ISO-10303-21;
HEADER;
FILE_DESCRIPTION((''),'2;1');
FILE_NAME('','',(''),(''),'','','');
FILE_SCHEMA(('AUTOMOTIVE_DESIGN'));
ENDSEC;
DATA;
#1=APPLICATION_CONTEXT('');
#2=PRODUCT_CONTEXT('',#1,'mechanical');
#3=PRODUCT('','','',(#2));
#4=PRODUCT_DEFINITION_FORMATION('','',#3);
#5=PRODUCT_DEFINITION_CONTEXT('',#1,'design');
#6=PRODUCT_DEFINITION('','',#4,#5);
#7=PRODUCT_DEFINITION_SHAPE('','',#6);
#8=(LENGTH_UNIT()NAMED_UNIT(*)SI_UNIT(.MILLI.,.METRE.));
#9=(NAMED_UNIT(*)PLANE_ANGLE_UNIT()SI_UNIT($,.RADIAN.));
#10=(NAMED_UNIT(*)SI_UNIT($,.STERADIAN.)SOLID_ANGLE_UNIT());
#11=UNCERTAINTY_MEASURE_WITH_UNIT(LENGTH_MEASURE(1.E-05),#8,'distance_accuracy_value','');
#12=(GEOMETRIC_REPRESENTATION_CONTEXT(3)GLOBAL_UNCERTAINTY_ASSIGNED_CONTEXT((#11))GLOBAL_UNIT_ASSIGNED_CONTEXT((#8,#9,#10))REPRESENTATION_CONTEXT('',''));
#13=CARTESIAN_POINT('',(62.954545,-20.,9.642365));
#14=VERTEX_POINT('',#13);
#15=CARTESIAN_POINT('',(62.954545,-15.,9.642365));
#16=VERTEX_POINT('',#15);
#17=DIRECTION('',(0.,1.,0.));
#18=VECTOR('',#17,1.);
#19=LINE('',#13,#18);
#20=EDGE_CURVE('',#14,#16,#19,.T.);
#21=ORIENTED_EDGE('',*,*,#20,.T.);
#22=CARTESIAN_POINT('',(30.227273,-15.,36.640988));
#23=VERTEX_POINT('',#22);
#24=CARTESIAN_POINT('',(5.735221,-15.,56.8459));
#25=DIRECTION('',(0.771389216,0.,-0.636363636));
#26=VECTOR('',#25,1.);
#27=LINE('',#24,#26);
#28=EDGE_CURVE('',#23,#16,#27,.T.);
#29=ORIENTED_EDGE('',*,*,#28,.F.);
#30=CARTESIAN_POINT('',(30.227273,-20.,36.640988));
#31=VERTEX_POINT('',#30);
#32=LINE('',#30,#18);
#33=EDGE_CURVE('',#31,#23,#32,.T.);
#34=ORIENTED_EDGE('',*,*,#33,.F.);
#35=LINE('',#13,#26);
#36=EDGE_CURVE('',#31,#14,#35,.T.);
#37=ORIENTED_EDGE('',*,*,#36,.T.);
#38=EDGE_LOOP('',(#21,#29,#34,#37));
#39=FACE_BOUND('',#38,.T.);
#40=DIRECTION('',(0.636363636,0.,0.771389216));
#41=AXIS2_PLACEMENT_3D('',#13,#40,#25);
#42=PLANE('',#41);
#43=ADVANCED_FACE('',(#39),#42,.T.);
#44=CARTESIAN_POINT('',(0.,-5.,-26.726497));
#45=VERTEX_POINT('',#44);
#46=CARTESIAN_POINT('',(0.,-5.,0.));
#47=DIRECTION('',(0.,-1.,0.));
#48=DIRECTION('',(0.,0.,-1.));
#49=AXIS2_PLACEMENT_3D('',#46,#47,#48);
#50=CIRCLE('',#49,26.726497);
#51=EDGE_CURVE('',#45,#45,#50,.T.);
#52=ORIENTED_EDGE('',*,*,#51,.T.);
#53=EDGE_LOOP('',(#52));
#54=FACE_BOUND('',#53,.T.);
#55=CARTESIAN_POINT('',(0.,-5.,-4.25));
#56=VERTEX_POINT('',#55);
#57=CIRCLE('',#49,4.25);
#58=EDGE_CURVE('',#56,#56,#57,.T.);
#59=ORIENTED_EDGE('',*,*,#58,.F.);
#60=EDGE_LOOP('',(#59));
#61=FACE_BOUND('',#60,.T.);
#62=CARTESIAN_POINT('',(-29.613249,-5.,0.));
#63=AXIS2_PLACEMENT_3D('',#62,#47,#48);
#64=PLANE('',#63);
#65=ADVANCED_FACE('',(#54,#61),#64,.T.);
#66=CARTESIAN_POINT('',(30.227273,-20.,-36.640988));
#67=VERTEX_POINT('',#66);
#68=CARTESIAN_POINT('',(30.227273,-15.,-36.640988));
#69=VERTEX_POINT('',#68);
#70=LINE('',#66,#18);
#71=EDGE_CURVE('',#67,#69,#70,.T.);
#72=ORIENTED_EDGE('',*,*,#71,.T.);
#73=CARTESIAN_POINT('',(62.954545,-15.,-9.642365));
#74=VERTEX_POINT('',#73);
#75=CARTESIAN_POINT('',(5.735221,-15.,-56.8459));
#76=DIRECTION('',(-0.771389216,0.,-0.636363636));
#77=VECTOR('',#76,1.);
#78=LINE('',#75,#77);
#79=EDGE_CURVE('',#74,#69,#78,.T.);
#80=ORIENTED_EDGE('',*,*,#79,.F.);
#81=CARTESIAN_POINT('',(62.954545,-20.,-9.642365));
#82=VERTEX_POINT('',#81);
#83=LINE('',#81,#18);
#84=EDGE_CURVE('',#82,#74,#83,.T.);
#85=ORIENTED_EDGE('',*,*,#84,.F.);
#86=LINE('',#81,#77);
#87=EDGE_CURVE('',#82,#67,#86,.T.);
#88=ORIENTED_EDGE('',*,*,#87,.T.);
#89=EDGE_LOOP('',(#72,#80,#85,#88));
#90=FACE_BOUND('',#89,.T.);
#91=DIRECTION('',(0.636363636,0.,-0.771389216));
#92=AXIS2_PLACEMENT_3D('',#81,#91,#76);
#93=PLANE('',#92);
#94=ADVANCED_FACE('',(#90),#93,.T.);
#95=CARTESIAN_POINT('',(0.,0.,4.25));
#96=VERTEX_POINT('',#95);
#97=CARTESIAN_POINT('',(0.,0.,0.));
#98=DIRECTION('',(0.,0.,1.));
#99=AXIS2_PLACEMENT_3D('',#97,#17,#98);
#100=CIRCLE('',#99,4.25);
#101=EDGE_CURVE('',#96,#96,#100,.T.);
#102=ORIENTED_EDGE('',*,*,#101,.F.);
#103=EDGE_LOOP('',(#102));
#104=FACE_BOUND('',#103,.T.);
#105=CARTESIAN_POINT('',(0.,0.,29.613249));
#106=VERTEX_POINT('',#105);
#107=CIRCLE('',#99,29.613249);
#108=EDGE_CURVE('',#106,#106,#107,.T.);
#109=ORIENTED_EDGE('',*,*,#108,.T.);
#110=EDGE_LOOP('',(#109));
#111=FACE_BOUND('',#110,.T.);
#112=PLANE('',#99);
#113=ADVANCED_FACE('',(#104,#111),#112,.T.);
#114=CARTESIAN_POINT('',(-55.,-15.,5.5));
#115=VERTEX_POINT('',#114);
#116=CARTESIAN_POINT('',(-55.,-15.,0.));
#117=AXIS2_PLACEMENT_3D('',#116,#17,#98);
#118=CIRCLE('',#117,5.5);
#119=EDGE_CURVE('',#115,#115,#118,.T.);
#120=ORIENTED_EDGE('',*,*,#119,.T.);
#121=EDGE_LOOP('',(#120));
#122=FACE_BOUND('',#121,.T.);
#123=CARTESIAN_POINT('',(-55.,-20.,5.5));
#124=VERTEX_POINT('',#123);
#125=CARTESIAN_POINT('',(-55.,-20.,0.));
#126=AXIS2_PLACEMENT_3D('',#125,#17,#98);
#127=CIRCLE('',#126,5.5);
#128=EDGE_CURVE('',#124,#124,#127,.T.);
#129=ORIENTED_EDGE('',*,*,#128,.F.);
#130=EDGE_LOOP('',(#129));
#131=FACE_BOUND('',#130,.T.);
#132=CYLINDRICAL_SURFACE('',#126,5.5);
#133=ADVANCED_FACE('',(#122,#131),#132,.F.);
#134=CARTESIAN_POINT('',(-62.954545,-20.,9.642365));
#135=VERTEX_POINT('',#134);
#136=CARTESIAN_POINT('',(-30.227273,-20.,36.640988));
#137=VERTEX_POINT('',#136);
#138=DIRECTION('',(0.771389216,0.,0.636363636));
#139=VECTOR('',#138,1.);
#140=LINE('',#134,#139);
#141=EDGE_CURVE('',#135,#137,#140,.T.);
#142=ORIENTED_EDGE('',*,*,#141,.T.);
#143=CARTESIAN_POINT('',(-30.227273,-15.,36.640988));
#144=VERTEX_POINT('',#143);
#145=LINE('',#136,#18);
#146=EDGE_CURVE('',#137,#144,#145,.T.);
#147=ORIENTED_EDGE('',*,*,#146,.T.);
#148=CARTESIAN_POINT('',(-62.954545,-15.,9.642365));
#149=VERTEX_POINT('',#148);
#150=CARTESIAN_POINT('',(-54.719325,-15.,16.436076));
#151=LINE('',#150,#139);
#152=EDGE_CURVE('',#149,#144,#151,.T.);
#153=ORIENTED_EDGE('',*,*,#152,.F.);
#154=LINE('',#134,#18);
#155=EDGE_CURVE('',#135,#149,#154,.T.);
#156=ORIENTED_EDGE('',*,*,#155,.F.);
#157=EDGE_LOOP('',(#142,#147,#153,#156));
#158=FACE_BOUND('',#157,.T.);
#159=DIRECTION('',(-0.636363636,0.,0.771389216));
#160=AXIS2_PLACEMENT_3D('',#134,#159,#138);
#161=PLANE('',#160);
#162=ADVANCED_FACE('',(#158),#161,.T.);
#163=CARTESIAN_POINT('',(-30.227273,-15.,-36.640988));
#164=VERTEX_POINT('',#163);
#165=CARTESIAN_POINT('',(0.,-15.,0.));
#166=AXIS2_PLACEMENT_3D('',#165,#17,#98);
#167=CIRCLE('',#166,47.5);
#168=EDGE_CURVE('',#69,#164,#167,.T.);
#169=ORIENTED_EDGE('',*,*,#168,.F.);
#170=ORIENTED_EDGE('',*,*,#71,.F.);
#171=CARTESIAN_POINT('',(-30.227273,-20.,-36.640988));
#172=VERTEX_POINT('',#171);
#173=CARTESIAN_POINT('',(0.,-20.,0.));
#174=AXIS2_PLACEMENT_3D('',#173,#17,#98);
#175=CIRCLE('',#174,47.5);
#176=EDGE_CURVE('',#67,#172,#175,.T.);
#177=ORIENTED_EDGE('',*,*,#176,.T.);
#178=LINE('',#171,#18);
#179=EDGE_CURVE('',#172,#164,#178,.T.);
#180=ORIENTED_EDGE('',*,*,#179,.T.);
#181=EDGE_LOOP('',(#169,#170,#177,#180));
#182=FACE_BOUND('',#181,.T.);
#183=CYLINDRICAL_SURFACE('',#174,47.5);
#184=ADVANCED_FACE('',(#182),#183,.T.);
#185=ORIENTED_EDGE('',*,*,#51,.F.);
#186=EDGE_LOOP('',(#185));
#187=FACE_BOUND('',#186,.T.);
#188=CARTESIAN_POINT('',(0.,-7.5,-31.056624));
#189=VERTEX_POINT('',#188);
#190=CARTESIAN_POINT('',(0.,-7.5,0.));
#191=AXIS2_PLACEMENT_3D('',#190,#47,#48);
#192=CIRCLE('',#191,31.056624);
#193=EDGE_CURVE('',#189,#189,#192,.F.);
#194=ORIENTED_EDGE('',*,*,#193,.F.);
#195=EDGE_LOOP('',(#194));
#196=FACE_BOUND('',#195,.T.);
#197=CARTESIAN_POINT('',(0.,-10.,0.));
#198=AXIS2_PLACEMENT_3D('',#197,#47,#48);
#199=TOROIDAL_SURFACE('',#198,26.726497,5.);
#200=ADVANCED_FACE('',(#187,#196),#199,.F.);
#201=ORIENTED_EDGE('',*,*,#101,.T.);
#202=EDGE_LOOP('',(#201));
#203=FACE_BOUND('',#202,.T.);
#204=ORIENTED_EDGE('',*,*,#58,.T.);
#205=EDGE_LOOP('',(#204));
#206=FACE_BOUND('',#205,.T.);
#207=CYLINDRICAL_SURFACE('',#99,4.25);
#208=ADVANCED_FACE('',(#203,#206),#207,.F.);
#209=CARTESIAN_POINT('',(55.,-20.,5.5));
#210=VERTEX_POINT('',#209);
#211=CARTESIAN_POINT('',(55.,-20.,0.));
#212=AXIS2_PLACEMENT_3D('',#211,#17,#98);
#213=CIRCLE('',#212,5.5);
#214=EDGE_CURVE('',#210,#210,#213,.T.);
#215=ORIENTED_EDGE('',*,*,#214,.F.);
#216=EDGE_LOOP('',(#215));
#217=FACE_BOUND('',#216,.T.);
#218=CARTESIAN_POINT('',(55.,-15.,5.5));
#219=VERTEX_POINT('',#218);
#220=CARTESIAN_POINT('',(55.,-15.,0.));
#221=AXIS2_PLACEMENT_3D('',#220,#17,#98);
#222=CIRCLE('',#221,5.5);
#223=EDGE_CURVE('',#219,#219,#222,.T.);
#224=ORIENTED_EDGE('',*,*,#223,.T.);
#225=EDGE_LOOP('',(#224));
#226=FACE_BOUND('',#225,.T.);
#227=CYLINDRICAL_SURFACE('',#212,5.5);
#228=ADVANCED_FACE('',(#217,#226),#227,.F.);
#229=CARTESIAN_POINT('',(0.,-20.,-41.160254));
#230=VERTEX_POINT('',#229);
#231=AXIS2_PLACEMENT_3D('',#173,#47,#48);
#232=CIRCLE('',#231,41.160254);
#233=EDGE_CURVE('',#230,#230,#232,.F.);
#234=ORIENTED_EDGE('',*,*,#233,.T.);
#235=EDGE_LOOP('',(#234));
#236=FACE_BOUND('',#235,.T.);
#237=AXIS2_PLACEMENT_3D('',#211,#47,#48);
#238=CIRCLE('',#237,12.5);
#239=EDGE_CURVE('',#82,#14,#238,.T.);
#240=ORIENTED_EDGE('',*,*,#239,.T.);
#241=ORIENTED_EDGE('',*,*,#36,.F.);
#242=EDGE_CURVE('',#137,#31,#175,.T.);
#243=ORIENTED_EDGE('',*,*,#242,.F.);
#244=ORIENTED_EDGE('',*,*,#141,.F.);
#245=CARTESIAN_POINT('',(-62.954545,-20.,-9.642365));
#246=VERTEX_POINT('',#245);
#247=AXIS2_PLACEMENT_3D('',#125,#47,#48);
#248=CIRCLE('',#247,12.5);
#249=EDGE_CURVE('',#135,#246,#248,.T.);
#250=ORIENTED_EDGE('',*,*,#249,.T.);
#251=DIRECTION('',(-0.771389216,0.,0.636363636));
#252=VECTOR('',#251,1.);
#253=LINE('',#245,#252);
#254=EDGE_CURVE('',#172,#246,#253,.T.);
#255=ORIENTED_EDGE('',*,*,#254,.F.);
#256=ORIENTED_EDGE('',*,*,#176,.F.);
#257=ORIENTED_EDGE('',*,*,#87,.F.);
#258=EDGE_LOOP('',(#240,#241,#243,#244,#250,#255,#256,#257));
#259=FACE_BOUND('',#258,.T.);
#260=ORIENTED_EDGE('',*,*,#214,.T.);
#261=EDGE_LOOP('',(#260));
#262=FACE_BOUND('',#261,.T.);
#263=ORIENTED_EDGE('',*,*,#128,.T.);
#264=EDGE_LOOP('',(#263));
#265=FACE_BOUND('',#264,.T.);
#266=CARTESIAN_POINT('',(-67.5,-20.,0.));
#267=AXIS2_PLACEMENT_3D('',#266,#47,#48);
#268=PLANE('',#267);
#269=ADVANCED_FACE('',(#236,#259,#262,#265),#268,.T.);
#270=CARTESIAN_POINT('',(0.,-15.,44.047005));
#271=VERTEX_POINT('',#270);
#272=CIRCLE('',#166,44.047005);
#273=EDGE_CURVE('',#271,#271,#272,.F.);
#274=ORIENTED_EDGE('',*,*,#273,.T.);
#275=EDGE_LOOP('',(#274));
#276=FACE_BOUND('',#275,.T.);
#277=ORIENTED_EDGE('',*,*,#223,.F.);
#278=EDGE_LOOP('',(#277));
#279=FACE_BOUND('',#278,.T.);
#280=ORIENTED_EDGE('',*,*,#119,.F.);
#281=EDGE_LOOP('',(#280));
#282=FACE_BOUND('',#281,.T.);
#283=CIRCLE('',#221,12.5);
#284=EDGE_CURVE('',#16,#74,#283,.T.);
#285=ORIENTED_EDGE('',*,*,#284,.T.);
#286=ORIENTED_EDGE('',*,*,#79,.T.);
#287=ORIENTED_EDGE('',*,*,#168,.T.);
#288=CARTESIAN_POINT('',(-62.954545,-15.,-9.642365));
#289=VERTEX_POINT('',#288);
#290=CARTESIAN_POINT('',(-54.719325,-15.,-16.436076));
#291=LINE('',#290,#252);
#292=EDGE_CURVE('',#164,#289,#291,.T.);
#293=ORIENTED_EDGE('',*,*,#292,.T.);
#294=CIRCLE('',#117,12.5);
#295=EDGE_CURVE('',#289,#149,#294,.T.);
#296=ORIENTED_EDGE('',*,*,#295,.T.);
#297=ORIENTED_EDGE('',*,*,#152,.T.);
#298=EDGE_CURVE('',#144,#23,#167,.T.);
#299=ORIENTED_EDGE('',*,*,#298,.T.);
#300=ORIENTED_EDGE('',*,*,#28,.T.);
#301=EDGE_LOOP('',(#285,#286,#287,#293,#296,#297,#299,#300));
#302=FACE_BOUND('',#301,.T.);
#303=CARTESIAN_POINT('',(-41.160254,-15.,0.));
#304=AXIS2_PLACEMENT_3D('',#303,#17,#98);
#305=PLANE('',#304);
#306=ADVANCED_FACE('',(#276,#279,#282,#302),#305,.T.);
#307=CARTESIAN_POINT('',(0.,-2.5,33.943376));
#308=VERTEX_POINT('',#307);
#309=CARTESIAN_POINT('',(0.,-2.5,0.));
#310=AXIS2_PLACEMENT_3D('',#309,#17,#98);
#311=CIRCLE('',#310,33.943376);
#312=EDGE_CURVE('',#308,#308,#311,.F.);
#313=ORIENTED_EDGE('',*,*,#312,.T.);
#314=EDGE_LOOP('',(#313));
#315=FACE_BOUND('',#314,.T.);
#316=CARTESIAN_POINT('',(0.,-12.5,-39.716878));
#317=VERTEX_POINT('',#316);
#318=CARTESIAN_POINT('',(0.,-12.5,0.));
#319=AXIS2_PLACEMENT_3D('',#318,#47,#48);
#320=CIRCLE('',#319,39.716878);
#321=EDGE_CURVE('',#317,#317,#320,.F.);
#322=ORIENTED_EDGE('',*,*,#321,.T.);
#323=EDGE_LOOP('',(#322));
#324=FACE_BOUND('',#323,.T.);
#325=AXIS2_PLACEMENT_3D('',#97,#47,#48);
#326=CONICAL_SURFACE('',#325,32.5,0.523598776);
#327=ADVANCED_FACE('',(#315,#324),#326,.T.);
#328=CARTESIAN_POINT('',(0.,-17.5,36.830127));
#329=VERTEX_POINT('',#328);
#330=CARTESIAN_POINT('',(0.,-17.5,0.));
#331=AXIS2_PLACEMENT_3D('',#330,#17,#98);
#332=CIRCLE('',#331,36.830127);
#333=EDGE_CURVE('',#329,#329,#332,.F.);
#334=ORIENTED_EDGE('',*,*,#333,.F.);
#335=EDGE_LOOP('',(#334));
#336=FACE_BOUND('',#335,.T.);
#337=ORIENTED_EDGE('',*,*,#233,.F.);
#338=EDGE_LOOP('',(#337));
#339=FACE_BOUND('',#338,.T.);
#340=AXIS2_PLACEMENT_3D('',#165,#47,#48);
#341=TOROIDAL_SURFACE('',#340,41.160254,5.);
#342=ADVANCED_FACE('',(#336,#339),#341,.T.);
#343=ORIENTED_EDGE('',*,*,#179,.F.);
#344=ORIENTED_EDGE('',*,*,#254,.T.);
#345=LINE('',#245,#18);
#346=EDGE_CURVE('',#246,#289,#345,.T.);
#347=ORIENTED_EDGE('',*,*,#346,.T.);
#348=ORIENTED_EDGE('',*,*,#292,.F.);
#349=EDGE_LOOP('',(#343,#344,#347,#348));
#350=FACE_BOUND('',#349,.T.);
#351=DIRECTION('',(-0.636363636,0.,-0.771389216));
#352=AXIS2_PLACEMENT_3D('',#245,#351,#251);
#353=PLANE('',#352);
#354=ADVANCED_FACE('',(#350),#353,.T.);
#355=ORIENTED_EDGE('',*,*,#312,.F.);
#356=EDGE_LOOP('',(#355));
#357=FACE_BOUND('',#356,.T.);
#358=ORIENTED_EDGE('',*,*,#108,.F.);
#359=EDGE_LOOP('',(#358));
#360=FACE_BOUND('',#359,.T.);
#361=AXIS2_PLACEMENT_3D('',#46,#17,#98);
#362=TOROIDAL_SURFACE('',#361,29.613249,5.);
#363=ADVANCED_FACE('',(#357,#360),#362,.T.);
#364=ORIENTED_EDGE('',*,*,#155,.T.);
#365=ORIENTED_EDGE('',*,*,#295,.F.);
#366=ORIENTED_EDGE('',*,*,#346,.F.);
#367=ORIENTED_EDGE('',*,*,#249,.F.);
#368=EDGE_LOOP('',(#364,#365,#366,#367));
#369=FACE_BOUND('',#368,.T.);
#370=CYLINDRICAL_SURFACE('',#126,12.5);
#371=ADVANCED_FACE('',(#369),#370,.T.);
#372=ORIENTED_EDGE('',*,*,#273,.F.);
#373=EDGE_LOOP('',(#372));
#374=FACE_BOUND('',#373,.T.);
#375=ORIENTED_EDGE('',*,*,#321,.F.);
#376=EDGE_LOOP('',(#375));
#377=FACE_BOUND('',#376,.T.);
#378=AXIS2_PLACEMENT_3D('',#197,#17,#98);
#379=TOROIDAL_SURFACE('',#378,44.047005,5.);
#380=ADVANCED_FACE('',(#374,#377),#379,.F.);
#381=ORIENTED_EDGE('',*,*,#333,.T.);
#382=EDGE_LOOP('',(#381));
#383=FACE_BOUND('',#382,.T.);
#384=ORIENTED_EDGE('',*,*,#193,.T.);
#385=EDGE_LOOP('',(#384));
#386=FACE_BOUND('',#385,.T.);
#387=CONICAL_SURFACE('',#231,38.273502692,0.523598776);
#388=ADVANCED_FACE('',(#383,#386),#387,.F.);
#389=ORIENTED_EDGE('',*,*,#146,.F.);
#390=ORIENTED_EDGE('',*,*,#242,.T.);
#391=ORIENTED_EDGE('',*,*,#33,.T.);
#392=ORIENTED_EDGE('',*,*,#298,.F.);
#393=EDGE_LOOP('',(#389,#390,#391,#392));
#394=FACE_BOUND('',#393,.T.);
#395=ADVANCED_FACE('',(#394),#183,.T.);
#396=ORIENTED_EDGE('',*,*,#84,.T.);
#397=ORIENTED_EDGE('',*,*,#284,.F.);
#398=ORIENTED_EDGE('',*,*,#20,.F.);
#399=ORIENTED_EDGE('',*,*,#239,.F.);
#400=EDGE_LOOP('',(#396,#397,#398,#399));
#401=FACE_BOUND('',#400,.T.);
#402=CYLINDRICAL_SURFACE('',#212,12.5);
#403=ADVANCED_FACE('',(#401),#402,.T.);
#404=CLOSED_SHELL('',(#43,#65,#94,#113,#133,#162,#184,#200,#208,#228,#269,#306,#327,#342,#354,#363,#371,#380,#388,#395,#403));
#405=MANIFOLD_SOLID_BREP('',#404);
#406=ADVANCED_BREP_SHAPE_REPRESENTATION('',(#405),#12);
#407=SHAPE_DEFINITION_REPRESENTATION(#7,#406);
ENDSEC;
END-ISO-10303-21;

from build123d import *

# Parameters (mm, degrees)
ZAOKR_GLENIE1_R                 = 5
SZKIC2_R                        = 5.5
WYTNIJ_WYCI_GNI_CIE1_DEPTH      = 98.532046016
OTW_R_GWINTOWANY_M101_D         = 8.5
OTW_R_GWINTOWANY_M101_DEPTH     = 17.5
OTW_R_GWINTOWANY_M101_TIP       = 2.553657631
WYTNIJ_WYCI_GNI_CIE2_DEPTH      = 97.63074045
WYTNIJ_WYCI_GNI_CIE2_DEPTH_BACK = 97.63074045
SZKIC5_OUTSIDE_W                = 175.392
SZKIC5_OUTSIDE_H                = 175.392


with BuildPart() as part:
    # Szkic1 → Obrót1 (revolve)
    with BuildSketch(Plane.XY, mode=Mode.PRIVATE) as obr_t1_sk:
        Polygon((0, 0), (-32.5, 0), (-41.160254038, -15), (-67.5, -15), (-67.5, -20), (-38.273502692, -20), (-29.613248654, -5), (0, -5), align=None)
    revolve(obr_t1_sk.sketch.rotate(Axis((0, 100.333333333, 0), (0, -1, 0)), 270), axis=Axis((0, 100.333333333, 0), (0, -1, 0)))

    # Zaokrąglenie1
    zaokr_glenie1_edges = [part.edges().sort_by_distance(p)[0] for p in [
        (0, -5, -29.613248654),
        (0, -20, -38.273502692),
        (0, -15, -41.160254038),
        (0, 0, -32.5),
    ]]
    fillet(zaokr_glenie1_edges, radius=ZAOKR_GLENIE1_R)

    # Szkic2 → Wytnij-wyciągnięcie1 (cut, through all)
    with BuildSketch(Plane(origin=(0, 0, 0), x_dir=(1, 0, 0), z_dir=(0, 1, 0))):
        with Locations(Location((-55, 0, 0), (0, 0, 270))):
            Circle(SZKIC2_R)
        with Locations(Location((55, 0, 0), (0, 0, 270))):
            Circle(SZKIC2_R)
    extrude(amount=-WYTNIJ_WYCI_GNI_CIE1_DEPTH, mode=Mode.SUBTRACT)

    # Otwór gwintowany M101
    with Locations(Plane(origin=(0, 0, 0), x_dir=(1, 0, 0), z_dir=(0, 1, 0))):
        with Locations((0, 0)):
            Hole(OTW_R_GWINTOWANY_M101_D / 2, depth=OTW_R_GWINTOWANY_M101_DEPTH)
            with Locations((0, 0, -(OTW_R_GWINTOWANY_M101_DEPTH + OTW_R_GWINTOWANY_M101_TIP / 2))):  # 118° drill point
                Cone(0, OTW_R_GWINTOWANY_M101_D / 2, OTW_R_GWINTOWANY_M101_TIP, mode=Mode.SUBTRACT)

    # Szkic5 outside → Wytnij-wyciągnięcie2 (cut, two sides: drawn at the far end of the back side and taken through both)
    with BuildSketch(Plane(origin=(0, -15, 0), x_dir=(1, 0, 0), z_dir=(0, 1, 0)).offset(-WYTNIJ_WYCI_GNI_CIE2_DEPTH_BACK)):
        Rectangle(SZKIC5_OUTSIDE_W, SZKIC5_OUTSIDE_H)
        with BuildLine():
            Line((62.954545455, 9.642365198), (30.227272727, 36.640987752))
            ThreePointArc((30.227272727, 36.640987752), (0, 47.5), (-30.227272727, 36.640987752))
            Line((-30.227272727, 36.640987752), (-62.954545455, 9.642365198))
            ThreePointArc((-62.954545455, 9.642365198), (-67.5, 0), (-62.954545455, -9.642365198))
            Line((-62.954545455, -9.642365198), (-30.227272727, -36.640987752))
            ThreePointArc((-30.227272727, -36.640987752), (0, -47.5), (30.227272727, -36.640987752))
            Line((30.227272727, -36.640987752), (62.954545455, -9.642365198))
            ThreePointArc((62.954545455, -9.642365198), (67.5, 0), (62.954545455, 9.642365198))
        make_face(mode=Mode.SUBTRACT)
    extrude(amount=WYTNIJ_WYCI_GNI_CIE2_DEPTH + WYTNIJ_WYCI_GNI_CIE2_DEPTH_BACK, mode=Mode.SUBTRACT)


solid = part.part
